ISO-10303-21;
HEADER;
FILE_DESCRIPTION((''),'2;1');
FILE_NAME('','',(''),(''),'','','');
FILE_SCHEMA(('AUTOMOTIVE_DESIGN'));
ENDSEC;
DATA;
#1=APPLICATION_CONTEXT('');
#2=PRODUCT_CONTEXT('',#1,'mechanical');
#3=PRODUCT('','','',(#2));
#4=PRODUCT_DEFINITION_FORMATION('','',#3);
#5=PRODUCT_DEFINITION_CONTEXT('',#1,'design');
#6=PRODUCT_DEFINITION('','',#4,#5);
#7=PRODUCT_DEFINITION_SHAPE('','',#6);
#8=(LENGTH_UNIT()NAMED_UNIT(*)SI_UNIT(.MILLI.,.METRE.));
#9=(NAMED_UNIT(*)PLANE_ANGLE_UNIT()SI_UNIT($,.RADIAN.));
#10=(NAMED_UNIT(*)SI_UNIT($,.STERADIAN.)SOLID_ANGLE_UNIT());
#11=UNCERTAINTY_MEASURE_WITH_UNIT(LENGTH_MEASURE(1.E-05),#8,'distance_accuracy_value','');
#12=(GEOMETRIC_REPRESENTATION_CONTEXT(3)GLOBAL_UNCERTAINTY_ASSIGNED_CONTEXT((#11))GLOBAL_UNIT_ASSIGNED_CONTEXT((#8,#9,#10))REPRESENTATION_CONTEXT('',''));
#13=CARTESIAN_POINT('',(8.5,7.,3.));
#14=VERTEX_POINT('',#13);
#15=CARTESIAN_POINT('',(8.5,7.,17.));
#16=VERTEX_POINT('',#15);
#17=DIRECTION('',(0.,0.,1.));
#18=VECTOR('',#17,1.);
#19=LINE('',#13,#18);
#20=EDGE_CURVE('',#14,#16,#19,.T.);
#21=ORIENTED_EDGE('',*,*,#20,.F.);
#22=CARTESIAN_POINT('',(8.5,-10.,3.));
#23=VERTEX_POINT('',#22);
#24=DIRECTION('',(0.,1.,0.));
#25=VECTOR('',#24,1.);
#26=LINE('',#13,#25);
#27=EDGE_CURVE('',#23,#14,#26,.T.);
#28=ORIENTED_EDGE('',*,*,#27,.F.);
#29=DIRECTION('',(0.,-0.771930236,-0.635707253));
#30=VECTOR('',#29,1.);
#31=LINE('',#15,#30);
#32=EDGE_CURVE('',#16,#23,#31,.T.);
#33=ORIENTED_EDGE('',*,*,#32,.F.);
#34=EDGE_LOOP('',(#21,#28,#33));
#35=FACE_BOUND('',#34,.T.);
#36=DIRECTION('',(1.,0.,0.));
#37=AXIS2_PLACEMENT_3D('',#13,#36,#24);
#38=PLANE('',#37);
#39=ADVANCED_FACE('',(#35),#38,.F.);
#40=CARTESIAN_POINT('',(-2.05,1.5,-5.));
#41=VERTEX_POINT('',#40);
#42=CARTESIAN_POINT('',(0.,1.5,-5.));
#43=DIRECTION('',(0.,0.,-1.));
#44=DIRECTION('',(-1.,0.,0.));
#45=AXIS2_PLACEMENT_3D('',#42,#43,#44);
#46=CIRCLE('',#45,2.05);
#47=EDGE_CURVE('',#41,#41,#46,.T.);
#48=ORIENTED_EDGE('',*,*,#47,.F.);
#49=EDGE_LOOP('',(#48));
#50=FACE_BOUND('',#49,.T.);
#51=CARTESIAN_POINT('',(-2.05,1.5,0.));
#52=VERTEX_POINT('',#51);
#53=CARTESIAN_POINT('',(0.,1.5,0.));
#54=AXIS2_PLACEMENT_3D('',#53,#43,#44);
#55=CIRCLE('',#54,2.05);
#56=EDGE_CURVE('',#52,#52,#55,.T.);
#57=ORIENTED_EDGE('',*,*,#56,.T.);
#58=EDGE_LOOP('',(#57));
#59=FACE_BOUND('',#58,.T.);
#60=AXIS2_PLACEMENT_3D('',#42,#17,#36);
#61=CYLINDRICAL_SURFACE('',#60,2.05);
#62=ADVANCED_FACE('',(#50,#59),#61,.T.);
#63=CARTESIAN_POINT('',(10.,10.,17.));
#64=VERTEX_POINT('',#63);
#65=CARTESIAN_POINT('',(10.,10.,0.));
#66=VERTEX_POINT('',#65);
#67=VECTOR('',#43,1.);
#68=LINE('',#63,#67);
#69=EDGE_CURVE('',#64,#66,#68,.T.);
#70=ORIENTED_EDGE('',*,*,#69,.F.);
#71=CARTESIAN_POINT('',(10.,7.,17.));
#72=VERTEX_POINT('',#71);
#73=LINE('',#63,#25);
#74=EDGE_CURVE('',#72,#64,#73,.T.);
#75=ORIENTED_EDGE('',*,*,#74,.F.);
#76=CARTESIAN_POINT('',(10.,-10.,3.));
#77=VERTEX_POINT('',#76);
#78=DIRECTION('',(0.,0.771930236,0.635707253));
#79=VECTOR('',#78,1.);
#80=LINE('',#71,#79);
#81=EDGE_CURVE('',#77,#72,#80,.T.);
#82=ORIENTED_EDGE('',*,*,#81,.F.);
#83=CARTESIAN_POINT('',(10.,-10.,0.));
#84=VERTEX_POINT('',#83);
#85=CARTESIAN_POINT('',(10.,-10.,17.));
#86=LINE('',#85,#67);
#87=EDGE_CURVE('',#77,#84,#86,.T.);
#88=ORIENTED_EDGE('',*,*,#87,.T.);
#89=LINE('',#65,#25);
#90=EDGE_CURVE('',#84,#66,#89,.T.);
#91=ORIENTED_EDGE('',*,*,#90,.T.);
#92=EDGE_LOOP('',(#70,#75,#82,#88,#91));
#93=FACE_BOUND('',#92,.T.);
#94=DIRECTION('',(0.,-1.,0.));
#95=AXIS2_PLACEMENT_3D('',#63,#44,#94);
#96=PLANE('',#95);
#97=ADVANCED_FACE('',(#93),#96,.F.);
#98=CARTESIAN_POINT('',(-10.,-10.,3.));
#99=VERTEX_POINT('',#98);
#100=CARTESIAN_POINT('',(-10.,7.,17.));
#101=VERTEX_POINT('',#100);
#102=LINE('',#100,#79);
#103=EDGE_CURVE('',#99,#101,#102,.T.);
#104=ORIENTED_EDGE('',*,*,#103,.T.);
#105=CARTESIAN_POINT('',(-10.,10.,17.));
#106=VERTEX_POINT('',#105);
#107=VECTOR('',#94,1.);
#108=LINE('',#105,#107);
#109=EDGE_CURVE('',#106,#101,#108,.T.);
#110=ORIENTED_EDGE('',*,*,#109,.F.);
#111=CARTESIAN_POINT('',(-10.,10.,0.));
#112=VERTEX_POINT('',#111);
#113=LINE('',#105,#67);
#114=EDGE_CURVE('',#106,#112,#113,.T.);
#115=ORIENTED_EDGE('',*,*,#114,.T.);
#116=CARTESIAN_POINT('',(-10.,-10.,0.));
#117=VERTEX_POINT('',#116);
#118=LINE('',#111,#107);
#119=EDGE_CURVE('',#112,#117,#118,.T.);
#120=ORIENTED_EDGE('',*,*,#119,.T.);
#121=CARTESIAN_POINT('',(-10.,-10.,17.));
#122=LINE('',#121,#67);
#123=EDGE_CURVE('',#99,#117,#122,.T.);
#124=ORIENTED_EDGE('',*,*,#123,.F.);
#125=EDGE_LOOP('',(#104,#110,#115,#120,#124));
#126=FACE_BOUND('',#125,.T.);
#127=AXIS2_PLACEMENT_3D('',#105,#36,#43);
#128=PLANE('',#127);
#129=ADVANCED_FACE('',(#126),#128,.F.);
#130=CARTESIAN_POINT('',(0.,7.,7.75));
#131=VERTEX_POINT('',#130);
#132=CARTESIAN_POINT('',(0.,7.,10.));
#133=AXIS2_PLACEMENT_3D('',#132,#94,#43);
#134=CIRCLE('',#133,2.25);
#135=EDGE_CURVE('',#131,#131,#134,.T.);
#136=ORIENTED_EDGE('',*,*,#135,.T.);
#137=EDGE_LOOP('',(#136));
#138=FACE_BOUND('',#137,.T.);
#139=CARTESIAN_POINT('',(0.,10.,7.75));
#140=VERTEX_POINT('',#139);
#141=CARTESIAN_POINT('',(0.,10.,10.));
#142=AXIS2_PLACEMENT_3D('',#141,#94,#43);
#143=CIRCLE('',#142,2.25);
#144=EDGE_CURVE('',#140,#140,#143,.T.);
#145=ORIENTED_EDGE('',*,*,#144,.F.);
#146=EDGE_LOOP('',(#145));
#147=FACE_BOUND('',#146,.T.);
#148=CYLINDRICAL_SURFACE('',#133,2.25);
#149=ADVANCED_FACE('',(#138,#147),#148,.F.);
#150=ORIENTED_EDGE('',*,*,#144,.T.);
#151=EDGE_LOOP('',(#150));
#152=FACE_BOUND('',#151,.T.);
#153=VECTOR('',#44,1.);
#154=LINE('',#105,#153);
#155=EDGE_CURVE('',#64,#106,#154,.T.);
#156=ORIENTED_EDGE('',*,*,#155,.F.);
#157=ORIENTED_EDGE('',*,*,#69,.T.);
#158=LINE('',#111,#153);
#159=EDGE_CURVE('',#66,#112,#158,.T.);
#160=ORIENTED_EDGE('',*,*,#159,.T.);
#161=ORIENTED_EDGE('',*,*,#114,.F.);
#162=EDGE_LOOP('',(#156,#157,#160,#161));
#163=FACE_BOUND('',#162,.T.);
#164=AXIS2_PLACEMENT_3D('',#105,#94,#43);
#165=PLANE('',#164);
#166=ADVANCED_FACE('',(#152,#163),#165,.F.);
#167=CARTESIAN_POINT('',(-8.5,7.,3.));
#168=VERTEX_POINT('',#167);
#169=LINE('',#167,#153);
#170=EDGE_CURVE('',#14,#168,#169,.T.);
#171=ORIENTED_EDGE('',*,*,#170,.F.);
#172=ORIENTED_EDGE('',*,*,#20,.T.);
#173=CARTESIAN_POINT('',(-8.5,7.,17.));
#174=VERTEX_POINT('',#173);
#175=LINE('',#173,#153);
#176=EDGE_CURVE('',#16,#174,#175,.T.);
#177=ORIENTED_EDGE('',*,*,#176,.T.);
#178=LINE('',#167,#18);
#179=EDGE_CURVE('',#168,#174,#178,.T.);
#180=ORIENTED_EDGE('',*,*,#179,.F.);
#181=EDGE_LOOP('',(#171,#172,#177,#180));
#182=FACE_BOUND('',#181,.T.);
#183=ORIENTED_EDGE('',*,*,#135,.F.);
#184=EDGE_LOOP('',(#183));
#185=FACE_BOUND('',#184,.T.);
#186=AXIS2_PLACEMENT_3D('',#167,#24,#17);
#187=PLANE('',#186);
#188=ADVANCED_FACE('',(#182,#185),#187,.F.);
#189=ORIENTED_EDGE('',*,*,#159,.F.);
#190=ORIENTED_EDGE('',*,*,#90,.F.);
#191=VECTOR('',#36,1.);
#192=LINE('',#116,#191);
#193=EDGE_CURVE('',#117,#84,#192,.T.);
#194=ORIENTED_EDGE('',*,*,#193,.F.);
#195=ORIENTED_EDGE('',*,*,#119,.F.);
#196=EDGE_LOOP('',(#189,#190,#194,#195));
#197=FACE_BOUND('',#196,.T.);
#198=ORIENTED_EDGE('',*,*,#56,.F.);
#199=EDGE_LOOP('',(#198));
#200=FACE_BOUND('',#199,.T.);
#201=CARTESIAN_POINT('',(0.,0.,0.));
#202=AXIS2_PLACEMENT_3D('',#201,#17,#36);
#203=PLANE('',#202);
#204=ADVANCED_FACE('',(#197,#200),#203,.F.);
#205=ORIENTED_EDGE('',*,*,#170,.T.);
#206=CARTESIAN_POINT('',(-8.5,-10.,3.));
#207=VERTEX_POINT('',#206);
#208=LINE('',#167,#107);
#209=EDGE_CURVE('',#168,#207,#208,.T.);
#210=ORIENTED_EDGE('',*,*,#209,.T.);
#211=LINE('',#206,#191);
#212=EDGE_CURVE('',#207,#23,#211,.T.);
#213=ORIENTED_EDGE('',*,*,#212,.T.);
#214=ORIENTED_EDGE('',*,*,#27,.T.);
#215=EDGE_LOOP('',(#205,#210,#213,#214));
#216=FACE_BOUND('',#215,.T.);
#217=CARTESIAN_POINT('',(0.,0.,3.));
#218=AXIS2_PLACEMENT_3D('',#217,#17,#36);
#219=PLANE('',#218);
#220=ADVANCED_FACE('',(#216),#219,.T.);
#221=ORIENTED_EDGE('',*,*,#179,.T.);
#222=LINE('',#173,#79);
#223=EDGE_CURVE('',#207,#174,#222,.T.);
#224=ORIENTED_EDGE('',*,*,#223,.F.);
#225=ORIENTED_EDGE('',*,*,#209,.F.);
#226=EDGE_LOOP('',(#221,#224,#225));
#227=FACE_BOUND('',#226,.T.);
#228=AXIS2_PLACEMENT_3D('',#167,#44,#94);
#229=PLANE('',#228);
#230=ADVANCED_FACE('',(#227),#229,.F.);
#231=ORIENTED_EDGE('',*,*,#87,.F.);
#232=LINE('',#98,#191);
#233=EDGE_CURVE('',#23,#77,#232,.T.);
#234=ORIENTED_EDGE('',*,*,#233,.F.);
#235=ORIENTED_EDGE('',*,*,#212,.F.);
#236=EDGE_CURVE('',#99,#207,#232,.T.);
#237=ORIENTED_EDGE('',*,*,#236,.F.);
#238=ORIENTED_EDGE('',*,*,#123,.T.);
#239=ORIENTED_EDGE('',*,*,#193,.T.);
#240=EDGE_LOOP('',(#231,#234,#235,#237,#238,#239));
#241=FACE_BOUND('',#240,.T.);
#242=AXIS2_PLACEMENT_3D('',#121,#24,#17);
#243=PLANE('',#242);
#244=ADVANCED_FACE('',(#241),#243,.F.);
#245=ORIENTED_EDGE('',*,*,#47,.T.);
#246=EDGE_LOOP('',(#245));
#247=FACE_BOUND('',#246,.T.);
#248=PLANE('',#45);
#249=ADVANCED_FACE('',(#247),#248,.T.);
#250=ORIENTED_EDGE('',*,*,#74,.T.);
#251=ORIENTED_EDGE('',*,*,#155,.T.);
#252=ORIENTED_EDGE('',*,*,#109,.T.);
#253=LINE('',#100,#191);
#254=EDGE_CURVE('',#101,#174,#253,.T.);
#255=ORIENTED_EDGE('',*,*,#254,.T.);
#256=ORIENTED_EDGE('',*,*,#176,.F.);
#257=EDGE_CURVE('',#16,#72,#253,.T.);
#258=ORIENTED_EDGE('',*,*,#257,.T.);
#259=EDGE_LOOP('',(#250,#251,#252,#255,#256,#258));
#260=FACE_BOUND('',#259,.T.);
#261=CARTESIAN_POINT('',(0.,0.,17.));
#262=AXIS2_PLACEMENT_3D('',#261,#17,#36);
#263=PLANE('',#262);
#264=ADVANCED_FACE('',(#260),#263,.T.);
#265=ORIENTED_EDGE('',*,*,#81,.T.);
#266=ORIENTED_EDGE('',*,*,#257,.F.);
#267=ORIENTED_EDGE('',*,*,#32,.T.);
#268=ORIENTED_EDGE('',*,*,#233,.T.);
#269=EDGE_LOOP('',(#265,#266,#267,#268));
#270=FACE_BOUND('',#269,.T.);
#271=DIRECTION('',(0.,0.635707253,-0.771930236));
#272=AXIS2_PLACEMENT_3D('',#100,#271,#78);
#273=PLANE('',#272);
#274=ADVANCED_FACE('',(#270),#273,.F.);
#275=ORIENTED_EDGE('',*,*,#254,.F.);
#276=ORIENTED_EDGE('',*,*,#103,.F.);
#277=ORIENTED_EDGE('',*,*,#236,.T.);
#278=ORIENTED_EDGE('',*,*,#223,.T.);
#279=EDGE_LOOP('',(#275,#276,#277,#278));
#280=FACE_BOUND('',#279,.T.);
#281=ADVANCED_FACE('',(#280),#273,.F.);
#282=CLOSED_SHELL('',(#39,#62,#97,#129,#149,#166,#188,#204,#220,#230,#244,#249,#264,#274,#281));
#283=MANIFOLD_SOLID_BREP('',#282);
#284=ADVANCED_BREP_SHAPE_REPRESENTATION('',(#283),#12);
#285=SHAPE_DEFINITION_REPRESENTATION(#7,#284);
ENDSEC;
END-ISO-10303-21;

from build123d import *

# Parameters (mm, degrees)
SKETCH_1_W          = 20
SKETCH_1_H          = 20
EXTRUDE_1_DEPTH     = 17
CUT_EXTRUDE_1_DEPTH = 20
SKETCH_3_W          = 17
SKETCH_3_H          = 17
CUT_EXTRUDE_2_DEPTH = 14
HOLE_WIZARD_M4_1_D  = 4.5
SKETCH_9_R          = 2.05
EXTRUDE_3_DEPTH     = 5


with BuildPart() as part:
    # 스케치1 → 보스-돌출1 (new body)
    with BuildSketch(Plane.XY):
        Rectangle(SKETCH_1_W, SKETCH_1_H)
    extrude(amount=EXTRUDE_1_DEPTH)

    # 스케치2 → 컷-돌출1 (cut)
    with BuildSketch(Plane(origin=(10, 0, 0), x_dir=(0, 0, -1), z_dir=(1, 0, 0))):
        Polygon((-17, 7), (-3, -10), (-17, -10), align=None)
    extrude(amount=-CUT_EXTRUDE_1_DEPTH, mode=Mode.SUBTRACT)

    # 스케치3 → 컷-돌출2 (cut)
    with BuildSketch(Plane.XY.offset(17)):
        with Locations((0, -1.5)):
            Rectangle(SKETCH_3_W, SKETCH_3_H)
    extrude(amount=-CUT_EXTRUDE_2_DEPTH, mode=Mode.SUBTRACT)

    # M4 여유 구멍1 (through all)
    with Locations(Plane(origin=(0, 7, 0), x_dir=(-1, 0, 0), z_dir=(0, -1, 0))):
        with Locations((0, -10)):
            Hole(HOLE_WIZARD_M4_1_D / 2)

    # 스케치9 → 보스-돌출3 (add)
    with BuildSketch(Plane(origin=(0, 0, 0), x_dir=(-1, 0, 0), z_dir=(0, 0, -1))):
        with Locations((0, 1.5)):
            Circle(SKETCH_9_R)
    extrude(amount=EXTRUDE_3_DEPTH)


solid = part.part
